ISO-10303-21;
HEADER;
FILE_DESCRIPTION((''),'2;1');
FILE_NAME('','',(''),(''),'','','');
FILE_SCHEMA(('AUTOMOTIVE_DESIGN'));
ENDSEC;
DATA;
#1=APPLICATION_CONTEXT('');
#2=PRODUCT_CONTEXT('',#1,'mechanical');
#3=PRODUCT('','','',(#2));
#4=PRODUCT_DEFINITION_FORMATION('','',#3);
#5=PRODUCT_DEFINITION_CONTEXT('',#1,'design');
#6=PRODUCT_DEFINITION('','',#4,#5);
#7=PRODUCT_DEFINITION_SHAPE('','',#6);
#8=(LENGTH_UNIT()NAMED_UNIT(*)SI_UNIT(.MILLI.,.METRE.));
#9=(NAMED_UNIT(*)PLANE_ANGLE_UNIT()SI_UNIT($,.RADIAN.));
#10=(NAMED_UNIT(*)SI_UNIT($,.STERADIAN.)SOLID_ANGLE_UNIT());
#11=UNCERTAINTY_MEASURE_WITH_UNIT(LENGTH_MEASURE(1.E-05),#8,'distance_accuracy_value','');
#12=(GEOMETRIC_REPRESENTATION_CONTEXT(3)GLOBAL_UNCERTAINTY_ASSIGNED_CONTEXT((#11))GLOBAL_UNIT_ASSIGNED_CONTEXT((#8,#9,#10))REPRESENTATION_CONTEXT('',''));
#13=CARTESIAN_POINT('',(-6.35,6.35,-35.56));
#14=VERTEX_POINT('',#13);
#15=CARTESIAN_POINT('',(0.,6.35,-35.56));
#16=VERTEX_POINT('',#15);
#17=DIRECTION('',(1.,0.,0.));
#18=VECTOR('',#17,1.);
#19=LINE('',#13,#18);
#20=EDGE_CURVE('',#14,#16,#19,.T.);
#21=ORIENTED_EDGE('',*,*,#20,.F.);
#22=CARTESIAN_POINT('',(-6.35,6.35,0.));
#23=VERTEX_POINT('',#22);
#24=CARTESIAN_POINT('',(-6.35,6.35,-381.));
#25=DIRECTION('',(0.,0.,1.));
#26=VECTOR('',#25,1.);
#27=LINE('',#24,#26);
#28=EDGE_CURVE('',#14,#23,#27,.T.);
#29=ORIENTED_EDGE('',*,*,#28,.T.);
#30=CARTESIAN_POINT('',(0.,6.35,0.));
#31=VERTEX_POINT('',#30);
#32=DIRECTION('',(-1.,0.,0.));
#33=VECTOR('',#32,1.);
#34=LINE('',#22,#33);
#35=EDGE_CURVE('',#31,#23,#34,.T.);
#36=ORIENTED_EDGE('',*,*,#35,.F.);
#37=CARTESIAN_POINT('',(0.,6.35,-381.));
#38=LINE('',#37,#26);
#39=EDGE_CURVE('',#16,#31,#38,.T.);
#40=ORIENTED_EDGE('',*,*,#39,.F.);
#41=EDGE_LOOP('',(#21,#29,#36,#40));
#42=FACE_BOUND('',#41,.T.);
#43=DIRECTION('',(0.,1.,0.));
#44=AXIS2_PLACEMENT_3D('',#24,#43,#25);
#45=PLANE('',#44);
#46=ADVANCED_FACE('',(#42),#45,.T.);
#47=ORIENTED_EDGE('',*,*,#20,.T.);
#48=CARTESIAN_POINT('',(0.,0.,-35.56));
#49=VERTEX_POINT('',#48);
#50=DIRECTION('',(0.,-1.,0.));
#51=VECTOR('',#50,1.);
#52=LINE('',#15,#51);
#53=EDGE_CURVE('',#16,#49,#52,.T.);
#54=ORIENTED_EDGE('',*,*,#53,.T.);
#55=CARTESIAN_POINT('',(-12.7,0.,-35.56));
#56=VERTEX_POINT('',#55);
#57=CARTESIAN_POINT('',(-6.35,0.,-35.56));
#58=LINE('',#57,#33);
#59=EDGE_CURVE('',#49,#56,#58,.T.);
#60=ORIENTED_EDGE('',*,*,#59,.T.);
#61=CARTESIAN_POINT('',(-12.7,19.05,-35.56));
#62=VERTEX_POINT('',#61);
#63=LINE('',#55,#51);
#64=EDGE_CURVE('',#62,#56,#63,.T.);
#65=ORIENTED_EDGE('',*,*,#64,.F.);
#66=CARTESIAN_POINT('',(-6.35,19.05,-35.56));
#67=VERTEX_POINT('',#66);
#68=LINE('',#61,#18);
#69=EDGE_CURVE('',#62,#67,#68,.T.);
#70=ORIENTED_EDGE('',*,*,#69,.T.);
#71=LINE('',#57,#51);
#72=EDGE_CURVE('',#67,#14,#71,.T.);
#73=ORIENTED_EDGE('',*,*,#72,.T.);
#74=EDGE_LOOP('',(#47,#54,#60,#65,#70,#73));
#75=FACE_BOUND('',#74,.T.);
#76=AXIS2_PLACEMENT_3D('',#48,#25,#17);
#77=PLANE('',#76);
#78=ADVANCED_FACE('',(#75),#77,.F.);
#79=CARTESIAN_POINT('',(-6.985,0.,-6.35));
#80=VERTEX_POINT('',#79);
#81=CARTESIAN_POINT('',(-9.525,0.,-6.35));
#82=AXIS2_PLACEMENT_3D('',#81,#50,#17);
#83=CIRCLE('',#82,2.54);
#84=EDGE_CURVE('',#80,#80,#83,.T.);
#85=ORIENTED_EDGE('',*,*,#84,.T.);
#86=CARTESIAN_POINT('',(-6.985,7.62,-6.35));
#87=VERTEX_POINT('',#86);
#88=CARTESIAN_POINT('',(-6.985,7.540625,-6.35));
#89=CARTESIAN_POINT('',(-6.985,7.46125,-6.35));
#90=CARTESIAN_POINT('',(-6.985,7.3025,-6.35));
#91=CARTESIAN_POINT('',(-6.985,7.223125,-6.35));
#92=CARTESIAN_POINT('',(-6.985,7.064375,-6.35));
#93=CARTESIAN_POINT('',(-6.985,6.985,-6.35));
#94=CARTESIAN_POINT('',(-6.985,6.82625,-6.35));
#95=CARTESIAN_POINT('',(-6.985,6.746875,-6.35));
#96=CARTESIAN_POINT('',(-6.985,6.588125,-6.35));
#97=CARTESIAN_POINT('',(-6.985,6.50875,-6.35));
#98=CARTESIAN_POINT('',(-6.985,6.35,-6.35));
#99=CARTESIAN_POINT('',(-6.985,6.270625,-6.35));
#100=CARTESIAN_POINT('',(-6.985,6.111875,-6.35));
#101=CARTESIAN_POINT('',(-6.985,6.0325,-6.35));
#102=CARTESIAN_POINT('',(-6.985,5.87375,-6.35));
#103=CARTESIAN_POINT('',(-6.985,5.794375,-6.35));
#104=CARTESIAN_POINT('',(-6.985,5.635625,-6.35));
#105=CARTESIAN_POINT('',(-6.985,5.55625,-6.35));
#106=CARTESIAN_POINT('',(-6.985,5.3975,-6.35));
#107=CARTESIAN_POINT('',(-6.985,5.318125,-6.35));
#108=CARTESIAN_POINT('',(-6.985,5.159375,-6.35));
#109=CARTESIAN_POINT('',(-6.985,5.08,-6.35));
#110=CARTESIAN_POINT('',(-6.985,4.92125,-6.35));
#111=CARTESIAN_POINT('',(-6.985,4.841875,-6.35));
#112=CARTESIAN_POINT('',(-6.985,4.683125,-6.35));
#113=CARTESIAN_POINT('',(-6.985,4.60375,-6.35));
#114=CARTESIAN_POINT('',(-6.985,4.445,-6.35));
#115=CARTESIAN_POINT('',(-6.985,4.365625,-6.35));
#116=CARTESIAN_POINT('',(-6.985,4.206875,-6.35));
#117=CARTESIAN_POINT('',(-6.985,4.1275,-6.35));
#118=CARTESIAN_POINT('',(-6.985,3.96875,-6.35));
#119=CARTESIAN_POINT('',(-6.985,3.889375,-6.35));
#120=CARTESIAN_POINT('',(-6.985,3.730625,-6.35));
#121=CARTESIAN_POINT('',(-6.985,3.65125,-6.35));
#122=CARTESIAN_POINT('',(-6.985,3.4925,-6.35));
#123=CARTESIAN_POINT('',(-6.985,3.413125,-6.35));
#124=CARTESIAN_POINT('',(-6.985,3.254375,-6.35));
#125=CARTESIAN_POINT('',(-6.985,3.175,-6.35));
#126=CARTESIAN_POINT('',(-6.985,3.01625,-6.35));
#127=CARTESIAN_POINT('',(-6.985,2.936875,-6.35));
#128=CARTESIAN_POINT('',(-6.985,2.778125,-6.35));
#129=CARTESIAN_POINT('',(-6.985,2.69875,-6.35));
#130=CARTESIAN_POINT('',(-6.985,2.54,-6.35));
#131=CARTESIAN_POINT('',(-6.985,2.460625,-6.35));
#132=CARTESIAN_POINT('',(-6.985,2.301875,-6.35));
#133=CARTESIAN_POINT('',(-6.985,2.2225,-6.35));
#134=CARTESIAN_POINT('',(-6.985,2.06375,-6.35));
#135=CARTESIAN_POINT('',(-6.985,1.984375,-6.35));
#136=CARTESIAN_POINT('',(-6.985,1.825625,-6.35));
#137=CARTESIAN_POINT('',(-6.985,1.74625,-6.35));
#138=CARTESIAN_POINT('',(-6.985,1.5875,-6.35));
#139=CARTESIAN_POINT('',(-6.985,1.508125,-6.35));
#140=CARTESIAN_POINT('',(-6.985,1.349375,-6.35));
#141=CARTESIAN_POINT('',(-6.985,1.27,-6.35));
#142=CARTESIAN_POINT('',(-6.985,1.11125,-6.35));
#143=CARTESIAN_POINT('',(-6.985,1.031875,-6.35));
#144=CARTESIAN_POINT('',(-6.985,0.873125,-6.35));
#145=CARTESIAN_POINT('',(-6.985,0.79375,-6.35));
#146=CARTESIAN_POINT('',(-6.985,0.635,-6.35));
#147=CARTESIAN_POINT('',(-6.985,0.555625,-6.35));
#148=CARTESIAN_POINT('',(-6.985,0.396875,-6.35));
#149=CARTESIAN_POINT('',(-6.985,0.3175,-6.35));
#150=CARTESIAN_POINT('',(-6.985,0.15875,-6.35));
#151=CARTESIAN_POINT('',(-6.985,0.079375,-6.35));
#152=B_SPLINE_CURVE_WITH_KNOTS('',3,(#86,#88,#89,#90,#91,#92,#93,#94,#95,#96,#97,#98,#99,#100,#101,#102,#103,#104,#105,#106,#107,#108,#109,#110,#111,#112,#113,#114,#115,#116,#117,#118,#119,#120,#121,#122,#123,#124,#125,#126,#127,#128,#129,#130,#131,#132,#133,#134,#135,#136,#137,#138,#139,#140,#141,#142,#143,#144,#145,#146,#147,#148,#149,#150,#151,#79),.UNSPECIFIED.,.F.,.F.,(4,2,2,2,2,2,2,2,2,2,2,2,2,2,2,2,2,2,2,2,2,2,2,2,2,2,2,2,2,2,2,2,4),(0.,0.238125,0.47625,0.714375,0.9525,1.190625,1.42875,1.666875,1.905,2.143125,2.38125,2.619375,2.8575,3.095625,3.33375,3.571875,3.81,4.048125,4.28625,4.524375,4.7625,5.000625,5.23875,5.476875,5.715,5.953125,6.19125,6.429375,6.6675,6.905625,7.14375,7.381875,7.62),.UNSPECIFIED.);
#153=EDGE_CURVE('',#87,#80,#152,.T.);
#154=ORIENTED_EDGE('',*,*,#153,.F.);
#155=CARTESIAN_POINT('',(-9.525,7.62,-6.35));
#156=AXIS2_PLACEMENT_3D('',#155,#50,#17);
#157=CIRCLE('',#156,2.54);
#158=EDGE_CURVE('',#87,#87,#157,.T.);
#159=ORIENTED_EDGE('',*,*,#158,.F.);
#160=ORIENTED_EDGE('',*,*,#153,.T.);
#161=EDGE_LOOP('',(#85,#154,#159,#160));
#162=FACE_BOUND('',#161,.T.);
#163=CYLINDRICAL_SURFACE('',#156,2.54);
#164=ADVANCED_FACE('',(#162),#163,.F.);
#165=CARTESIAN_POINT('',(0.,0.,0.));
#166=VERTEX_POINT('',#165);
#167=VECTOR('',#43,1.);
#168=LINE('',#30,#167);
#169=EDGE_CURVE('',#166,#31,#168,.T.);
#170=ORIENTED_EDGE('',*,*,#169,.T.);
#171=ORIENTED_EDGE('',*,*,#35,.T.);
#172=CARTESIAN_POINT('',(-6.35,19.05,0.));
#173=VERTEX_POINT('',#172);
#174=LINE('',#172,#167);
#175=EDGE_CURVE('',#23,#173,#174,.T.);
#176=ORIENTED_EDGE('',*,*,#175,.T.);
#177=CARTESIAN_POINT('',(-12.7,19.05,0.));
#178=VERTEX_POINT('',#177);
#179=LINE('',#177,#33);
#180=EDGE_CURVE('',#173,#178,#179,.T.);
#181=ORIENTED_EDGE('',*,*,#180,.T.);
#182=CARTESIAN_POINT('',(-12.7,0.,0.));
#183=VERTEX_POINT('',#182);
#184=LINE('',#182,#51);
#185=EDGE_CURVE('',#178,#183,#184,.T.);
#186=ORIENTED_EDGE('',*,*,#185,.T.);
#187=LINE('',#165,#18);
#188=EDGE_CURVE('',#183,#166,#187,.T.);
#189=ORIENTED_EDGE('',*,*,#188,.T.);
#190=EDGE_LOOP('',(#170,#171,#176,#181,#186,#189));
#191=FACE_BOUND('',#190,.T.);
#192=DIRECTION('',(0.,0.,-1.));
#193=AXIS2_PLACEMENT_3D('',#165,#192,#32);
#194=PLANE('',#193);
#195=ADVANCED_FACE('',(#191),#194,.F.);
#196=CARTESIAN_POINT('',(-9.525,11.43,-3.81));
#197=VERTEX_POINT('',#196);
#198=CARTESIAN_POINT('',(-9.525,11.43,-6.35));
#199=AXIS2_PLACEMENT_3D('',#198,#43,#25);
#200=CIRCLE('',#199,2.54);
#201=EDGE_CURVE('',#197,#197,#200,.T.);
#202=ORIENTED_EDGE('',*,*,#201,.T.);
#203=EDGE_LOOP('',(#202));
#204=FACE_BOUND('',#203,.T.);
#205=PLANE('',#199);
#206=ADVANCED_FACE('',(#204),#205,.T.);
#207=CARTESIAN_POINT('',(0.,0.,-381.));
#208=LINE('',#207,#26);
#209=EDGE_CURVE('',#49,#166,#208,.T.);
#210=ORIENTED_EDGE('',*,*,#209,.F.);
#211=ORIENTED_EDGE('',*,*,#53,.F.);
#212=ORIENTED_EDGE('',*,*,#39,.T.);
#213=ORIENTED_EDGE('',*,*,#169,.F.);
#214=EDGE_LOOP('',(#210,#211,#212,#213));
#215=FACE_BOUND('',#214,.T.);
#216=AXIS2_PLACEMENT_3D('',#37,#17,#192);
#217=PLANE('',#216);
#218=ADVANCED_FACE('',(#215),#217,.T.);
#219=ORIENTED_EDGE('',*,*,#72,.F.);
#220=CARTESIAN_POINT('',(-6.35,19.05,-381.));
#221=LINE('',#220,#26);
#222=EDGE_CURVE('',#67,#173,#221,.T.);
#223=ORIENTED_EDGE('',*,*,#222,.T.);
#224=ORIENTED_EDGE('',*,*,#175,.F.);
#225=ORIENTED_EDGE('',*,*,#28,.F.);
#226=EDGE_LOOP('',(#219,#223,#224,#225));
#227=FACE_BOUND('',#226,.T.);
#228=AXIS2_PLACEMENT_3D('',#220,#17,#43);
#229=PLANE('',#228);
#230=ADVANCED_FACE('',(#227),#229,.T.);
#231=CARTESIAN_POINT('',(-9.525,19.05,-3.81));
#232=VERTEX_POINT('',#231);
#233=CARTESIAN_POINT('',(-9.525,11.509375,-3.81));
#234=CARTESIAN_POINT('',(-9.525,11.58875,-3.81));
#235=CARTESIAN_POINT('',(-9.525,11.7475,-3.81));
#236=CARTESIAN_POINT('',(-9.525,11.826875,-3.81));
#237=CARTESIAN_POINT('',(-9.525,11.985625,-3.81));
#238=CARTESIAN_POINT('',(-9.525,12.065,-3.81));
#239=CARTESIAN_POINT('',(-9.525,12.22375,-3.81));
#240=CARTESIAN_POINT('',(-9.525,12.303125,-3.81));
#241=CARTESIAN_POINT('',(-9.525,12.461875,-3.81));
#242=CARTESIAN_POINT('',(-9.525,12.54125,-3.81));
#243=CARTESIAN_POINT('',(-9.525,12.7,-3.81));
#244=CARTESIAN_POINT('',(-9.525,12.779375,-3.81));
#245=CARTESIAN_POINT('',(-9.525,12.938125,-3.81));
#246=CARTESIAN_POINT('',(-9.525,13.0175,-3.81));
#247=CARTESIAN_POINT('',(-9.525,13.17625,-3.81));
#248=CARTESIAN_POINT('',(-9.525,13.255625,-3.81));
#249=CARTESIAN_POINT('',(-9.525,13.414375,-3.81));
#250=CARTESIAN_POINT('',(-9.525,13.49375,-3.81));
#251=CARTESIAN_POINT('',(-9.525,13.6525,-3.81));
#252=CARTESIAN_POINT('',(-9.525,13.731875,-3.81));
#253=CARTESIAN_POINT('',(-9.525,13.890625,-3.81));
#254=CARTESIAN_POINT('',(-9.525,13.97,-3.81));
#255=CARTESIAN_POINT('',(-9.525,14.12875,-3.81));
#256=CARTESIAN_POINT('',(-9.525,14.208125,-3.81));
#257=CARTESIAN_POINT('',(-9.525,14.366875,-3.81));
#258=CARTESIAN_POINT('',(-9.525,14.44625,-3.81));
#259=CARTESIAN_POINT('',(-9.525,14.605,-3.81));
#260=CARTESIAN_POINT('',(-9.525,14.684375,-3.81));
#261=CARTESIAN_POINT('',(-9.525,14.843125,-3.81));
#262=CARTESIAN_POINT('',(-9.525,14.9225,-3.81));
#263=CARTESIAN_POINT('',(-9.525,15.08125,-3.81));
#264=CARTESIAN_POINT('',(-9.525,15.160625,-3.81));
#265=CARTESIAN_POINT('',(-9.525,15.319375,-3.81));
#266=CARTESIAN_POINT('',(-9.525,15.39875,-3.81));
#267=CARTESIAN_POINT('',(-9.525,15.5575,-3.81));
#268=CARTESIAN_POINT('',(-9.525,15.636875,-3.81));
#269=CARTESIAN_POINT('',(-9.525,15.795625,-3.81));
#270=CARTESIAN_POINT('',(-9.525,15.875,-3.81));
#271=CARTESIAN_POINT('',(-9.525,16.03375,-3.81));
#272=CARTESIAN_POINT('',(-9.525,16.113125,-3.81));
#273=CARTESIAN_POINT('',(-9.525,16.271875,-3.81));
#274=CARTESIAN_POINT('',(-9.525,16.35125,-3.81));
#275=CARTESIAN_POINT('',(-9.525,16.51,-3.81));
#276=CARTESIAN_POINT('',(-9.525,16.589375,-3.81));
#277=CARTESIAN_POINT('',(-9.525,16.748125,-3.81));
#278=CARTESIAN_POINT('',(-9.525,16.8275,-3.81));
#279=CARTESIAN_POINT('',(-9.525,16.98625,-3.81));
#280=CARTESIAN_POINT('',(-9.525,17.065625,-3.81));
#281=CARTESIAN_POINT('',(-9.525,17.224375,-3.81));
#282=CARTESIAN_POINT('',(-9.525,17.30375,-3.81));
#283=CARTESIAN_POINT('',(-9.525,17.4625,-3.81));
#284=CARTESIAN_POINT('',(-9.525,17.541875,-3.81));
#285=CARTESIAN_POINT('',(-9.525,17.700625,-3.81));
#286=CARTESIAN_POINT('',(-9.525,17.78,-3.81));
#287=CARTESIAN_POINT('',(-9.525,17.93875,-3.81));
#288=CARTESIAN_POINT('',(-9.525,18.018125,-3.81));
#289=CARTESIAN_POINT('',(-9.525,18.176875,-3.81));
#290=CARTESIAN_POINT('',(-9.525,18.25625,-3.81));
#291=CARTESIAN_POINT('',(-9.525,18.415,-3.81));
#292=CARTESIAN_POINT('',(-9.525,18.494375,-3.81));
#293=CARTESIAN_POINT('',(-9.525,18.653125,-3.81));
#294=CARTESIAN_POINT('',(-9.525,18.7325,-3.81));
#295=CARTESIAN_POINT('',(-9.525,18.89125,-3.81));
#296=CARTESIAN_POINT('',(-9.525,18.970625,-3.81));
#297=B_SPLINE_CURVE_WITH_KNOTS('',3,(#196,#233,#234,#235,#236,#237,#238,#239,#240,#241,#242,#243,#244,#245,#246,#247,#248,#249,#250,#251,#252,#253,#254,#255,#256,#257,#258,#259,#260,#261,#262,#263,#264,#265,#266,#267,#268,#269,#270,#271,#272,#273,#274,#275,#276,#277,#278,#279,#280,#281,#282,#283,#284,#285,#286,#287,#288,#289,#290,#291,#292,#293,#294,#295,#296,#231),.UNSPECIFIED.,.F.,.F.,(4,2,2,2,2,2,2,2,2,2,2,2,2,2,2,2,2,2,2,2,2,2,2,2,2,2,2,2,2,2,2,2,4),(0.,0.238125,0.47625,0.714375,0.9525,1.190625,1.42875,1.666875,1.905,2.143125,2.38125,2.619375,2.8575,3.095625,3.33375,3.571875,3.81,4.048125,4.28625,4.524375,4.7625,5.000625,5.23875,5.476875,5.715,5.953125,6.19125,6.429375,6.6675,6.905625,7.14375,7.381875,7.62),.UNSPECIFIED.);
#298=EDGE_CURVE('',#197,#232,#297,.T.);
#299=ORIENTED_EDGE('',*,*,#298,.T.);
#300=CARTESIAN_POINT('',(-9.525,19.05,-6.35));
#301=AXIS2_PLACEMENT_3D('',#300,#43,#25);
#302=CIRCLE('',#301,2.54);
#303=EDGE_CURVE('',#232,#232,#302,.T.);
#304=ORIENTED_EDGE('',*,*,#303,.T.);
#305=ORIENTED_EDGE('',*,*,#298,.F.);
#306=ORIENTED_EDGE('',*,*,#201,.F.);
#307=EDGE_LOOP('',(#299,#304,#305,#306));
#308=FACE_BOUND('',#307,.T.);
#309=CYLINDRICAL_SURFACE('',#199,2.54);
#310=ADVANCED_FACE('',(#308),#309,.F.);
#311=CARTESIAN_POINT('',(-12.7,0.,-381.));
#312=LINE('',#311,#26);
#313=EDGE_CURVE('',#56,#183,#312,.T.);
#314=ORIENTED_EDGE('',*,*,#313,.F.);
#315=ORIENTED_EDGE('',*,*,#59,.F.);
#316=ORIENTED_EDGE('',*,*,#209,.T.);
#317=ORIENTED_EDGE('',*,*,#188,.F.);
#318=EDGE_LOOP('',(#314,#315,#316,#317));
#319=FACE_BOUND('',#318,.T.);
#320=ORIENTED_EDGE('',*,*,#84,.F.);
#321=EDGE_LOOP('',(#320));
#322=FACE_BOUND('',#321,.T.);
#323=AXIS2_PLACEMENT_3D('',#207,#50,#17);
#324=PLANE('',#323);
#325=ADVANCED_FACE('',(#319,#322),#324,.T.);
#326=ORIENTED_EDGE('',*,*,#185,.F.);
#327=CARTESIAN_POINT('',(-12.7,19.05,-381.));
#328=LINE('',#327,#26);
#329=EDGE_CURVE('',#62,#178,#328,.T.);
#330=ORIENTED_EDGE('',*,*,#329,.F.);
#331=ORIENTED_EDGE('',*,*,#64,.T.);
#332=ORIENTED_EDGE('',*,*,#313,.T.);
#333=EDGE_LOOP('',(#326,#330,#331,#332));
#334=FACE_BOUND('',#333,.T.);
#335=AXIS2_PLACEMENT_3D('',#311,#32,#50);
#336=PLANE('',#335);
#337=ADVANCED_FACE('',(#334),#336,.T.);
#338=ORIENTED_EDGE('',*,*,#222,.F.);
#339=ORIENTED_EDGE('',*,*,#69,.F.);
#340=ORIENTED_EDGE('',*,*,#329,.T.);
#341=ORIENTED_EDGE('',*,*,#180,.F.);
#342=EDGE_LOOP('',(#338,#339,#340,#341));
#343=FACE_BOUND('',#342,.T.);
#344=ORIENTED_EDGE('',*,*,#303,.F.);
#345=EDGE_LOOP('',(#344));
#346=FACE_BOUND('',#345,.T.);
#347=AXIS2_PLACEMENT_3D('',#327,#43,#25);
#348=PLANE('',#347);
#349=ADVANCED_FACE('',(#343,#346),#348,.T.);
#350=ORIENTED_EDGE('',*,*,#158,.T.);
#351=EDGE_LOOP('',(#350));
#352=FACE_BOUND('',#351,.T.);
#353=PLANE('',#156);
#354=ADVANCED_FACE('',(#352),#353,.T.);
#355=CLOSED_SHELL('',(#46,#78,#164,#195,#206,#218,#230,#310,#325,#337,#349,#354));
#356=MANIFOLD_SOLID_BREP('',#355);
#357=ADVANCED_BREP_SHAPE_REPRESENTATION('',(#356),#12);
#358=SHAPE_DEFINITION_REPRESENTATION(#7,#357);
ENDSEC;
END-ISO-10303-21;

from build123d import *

# Parameters (mm, degrees)
BOSS_EXTRUDE1_DEPTH = 381
CUT_EXTRUDE1_REACH  = 383.687
SKETCH2_R           = 3.175
SKETCH3_R           = 2.54
CUT_EXTRUDE2_DEPTH  = 7.62
CUT_EXTRUDE3_START  = -7.62
SKETCH4_R           = 2.54
CUT_EXTRUDE3_DEPTH  = 7.62
SKETCH5_W           = 6.35
SKETCH5_H           = 6.35
CUT_EXTRUDE4_DEPTH  = 345.44
SKETCH7_W           = 345.44
SKETCH7_H           = 19.05
CUT_EXTRUDE5_DEPTH  = 382.528799699


with BuildPart() as part:
    # Sketch1 → Boss-Extrude1 (new body)
    with BuildSketch(Plane.XY):
        Polygon((0, 0), (-12.7, 0), (-12.7, 19.05), (-6.35, 19.05), (-6.35, 6.35), (0, 6.35), align=None)
    extrude(amount=-BOSS_EXTRUDE1_DEPTH)

    # Sketch2 → Cut-Extrude1 (cut, up to next)
    with BuildSketch(Plane.ZY.offset(12.7), mode=Mode.PRIVATE) as cut_extrude1_sk1:
        with Locations(Location((-365.76, 12.065, 0), (0, 0, 270))):
            Circle(SKETCH2_R)
    cut_extrude1_tool1 = extrude(cut_extrude1_sk1.sketch, amount=-CUT_EXTRUDE1_REACH, mode=Mode.PRIVATE) & part.part
    add(cut_extrude1_tool1.solids().sort_by_distance((-12.7, 12.065, -365.76))[0], mode=Mode.SUBTRACT)

    # Sketch3 → Cut-Extrude2 (cut)
    with BuildSketch(Plane(origin=(0, 19.05, 0), x_dir=(1, 0, 0), z_dir=(0, 1, 0))):
        with Locations(Location((-9.525, 6.35, 0), (0, 0, 270))):
            Circle(SKETCH3_R)
        with Locations(Location((-9.525, 374.65, 0), (0, 0, 270))):
            Circle(SKETCH3_R)
    extrude(amount=-CUT_EXTRUDE2_DEPTH, mode=Mode.SUBTRACT)

    # Sketch4 → Cut-Extrude3 (cut)
    with BuildSketch(Plane.XZ.offset(CUT_EXTRUDE3_START)):
        with Locations(Location((-9.525, -374.65, 0), (0, 0, 90))):
            Circle(SKETCH4_R)
        with Locations(Location((-9.525, -6.35, 0), (0, 0, 90))):
            Circle(SKETCH4_R)
    extrude(amount=CUT_EXTRUDE3_DEPTH, mode=Mode.SUBTRACT)

    # Sketch5 → Cut-Extrude4 (cut)
    with BuildSketch(Plane(origin=(0, 0, -381), x_dir=(-1, 0, 0), z_dir=(0, 0, -1))):
        with Locations((3.175, 3.175)):
            Rectangle(SKETCH5_W, SKETCH5_H)
    extrude(amount=-CUT_EXTRUDE4_DEPTH, mode=Mode.SUBTRACT)

    # Sketch7 → Cut-Extrude5 (cut, through all)
    with BuildSketch(Plane(origin=(-6.35, 0, 0), x_dir=(0, 0, -1), z_dir=(1, 0, 0))):
        with Locations((208.28, 9.525)):
            Rectangle(SKETCH7_W, SKETCH7_H)
    extrude(amount=-CUT_EXTRUDE5_DEPTH, mode=Mode.SUBTRACT)


solid = part.part
